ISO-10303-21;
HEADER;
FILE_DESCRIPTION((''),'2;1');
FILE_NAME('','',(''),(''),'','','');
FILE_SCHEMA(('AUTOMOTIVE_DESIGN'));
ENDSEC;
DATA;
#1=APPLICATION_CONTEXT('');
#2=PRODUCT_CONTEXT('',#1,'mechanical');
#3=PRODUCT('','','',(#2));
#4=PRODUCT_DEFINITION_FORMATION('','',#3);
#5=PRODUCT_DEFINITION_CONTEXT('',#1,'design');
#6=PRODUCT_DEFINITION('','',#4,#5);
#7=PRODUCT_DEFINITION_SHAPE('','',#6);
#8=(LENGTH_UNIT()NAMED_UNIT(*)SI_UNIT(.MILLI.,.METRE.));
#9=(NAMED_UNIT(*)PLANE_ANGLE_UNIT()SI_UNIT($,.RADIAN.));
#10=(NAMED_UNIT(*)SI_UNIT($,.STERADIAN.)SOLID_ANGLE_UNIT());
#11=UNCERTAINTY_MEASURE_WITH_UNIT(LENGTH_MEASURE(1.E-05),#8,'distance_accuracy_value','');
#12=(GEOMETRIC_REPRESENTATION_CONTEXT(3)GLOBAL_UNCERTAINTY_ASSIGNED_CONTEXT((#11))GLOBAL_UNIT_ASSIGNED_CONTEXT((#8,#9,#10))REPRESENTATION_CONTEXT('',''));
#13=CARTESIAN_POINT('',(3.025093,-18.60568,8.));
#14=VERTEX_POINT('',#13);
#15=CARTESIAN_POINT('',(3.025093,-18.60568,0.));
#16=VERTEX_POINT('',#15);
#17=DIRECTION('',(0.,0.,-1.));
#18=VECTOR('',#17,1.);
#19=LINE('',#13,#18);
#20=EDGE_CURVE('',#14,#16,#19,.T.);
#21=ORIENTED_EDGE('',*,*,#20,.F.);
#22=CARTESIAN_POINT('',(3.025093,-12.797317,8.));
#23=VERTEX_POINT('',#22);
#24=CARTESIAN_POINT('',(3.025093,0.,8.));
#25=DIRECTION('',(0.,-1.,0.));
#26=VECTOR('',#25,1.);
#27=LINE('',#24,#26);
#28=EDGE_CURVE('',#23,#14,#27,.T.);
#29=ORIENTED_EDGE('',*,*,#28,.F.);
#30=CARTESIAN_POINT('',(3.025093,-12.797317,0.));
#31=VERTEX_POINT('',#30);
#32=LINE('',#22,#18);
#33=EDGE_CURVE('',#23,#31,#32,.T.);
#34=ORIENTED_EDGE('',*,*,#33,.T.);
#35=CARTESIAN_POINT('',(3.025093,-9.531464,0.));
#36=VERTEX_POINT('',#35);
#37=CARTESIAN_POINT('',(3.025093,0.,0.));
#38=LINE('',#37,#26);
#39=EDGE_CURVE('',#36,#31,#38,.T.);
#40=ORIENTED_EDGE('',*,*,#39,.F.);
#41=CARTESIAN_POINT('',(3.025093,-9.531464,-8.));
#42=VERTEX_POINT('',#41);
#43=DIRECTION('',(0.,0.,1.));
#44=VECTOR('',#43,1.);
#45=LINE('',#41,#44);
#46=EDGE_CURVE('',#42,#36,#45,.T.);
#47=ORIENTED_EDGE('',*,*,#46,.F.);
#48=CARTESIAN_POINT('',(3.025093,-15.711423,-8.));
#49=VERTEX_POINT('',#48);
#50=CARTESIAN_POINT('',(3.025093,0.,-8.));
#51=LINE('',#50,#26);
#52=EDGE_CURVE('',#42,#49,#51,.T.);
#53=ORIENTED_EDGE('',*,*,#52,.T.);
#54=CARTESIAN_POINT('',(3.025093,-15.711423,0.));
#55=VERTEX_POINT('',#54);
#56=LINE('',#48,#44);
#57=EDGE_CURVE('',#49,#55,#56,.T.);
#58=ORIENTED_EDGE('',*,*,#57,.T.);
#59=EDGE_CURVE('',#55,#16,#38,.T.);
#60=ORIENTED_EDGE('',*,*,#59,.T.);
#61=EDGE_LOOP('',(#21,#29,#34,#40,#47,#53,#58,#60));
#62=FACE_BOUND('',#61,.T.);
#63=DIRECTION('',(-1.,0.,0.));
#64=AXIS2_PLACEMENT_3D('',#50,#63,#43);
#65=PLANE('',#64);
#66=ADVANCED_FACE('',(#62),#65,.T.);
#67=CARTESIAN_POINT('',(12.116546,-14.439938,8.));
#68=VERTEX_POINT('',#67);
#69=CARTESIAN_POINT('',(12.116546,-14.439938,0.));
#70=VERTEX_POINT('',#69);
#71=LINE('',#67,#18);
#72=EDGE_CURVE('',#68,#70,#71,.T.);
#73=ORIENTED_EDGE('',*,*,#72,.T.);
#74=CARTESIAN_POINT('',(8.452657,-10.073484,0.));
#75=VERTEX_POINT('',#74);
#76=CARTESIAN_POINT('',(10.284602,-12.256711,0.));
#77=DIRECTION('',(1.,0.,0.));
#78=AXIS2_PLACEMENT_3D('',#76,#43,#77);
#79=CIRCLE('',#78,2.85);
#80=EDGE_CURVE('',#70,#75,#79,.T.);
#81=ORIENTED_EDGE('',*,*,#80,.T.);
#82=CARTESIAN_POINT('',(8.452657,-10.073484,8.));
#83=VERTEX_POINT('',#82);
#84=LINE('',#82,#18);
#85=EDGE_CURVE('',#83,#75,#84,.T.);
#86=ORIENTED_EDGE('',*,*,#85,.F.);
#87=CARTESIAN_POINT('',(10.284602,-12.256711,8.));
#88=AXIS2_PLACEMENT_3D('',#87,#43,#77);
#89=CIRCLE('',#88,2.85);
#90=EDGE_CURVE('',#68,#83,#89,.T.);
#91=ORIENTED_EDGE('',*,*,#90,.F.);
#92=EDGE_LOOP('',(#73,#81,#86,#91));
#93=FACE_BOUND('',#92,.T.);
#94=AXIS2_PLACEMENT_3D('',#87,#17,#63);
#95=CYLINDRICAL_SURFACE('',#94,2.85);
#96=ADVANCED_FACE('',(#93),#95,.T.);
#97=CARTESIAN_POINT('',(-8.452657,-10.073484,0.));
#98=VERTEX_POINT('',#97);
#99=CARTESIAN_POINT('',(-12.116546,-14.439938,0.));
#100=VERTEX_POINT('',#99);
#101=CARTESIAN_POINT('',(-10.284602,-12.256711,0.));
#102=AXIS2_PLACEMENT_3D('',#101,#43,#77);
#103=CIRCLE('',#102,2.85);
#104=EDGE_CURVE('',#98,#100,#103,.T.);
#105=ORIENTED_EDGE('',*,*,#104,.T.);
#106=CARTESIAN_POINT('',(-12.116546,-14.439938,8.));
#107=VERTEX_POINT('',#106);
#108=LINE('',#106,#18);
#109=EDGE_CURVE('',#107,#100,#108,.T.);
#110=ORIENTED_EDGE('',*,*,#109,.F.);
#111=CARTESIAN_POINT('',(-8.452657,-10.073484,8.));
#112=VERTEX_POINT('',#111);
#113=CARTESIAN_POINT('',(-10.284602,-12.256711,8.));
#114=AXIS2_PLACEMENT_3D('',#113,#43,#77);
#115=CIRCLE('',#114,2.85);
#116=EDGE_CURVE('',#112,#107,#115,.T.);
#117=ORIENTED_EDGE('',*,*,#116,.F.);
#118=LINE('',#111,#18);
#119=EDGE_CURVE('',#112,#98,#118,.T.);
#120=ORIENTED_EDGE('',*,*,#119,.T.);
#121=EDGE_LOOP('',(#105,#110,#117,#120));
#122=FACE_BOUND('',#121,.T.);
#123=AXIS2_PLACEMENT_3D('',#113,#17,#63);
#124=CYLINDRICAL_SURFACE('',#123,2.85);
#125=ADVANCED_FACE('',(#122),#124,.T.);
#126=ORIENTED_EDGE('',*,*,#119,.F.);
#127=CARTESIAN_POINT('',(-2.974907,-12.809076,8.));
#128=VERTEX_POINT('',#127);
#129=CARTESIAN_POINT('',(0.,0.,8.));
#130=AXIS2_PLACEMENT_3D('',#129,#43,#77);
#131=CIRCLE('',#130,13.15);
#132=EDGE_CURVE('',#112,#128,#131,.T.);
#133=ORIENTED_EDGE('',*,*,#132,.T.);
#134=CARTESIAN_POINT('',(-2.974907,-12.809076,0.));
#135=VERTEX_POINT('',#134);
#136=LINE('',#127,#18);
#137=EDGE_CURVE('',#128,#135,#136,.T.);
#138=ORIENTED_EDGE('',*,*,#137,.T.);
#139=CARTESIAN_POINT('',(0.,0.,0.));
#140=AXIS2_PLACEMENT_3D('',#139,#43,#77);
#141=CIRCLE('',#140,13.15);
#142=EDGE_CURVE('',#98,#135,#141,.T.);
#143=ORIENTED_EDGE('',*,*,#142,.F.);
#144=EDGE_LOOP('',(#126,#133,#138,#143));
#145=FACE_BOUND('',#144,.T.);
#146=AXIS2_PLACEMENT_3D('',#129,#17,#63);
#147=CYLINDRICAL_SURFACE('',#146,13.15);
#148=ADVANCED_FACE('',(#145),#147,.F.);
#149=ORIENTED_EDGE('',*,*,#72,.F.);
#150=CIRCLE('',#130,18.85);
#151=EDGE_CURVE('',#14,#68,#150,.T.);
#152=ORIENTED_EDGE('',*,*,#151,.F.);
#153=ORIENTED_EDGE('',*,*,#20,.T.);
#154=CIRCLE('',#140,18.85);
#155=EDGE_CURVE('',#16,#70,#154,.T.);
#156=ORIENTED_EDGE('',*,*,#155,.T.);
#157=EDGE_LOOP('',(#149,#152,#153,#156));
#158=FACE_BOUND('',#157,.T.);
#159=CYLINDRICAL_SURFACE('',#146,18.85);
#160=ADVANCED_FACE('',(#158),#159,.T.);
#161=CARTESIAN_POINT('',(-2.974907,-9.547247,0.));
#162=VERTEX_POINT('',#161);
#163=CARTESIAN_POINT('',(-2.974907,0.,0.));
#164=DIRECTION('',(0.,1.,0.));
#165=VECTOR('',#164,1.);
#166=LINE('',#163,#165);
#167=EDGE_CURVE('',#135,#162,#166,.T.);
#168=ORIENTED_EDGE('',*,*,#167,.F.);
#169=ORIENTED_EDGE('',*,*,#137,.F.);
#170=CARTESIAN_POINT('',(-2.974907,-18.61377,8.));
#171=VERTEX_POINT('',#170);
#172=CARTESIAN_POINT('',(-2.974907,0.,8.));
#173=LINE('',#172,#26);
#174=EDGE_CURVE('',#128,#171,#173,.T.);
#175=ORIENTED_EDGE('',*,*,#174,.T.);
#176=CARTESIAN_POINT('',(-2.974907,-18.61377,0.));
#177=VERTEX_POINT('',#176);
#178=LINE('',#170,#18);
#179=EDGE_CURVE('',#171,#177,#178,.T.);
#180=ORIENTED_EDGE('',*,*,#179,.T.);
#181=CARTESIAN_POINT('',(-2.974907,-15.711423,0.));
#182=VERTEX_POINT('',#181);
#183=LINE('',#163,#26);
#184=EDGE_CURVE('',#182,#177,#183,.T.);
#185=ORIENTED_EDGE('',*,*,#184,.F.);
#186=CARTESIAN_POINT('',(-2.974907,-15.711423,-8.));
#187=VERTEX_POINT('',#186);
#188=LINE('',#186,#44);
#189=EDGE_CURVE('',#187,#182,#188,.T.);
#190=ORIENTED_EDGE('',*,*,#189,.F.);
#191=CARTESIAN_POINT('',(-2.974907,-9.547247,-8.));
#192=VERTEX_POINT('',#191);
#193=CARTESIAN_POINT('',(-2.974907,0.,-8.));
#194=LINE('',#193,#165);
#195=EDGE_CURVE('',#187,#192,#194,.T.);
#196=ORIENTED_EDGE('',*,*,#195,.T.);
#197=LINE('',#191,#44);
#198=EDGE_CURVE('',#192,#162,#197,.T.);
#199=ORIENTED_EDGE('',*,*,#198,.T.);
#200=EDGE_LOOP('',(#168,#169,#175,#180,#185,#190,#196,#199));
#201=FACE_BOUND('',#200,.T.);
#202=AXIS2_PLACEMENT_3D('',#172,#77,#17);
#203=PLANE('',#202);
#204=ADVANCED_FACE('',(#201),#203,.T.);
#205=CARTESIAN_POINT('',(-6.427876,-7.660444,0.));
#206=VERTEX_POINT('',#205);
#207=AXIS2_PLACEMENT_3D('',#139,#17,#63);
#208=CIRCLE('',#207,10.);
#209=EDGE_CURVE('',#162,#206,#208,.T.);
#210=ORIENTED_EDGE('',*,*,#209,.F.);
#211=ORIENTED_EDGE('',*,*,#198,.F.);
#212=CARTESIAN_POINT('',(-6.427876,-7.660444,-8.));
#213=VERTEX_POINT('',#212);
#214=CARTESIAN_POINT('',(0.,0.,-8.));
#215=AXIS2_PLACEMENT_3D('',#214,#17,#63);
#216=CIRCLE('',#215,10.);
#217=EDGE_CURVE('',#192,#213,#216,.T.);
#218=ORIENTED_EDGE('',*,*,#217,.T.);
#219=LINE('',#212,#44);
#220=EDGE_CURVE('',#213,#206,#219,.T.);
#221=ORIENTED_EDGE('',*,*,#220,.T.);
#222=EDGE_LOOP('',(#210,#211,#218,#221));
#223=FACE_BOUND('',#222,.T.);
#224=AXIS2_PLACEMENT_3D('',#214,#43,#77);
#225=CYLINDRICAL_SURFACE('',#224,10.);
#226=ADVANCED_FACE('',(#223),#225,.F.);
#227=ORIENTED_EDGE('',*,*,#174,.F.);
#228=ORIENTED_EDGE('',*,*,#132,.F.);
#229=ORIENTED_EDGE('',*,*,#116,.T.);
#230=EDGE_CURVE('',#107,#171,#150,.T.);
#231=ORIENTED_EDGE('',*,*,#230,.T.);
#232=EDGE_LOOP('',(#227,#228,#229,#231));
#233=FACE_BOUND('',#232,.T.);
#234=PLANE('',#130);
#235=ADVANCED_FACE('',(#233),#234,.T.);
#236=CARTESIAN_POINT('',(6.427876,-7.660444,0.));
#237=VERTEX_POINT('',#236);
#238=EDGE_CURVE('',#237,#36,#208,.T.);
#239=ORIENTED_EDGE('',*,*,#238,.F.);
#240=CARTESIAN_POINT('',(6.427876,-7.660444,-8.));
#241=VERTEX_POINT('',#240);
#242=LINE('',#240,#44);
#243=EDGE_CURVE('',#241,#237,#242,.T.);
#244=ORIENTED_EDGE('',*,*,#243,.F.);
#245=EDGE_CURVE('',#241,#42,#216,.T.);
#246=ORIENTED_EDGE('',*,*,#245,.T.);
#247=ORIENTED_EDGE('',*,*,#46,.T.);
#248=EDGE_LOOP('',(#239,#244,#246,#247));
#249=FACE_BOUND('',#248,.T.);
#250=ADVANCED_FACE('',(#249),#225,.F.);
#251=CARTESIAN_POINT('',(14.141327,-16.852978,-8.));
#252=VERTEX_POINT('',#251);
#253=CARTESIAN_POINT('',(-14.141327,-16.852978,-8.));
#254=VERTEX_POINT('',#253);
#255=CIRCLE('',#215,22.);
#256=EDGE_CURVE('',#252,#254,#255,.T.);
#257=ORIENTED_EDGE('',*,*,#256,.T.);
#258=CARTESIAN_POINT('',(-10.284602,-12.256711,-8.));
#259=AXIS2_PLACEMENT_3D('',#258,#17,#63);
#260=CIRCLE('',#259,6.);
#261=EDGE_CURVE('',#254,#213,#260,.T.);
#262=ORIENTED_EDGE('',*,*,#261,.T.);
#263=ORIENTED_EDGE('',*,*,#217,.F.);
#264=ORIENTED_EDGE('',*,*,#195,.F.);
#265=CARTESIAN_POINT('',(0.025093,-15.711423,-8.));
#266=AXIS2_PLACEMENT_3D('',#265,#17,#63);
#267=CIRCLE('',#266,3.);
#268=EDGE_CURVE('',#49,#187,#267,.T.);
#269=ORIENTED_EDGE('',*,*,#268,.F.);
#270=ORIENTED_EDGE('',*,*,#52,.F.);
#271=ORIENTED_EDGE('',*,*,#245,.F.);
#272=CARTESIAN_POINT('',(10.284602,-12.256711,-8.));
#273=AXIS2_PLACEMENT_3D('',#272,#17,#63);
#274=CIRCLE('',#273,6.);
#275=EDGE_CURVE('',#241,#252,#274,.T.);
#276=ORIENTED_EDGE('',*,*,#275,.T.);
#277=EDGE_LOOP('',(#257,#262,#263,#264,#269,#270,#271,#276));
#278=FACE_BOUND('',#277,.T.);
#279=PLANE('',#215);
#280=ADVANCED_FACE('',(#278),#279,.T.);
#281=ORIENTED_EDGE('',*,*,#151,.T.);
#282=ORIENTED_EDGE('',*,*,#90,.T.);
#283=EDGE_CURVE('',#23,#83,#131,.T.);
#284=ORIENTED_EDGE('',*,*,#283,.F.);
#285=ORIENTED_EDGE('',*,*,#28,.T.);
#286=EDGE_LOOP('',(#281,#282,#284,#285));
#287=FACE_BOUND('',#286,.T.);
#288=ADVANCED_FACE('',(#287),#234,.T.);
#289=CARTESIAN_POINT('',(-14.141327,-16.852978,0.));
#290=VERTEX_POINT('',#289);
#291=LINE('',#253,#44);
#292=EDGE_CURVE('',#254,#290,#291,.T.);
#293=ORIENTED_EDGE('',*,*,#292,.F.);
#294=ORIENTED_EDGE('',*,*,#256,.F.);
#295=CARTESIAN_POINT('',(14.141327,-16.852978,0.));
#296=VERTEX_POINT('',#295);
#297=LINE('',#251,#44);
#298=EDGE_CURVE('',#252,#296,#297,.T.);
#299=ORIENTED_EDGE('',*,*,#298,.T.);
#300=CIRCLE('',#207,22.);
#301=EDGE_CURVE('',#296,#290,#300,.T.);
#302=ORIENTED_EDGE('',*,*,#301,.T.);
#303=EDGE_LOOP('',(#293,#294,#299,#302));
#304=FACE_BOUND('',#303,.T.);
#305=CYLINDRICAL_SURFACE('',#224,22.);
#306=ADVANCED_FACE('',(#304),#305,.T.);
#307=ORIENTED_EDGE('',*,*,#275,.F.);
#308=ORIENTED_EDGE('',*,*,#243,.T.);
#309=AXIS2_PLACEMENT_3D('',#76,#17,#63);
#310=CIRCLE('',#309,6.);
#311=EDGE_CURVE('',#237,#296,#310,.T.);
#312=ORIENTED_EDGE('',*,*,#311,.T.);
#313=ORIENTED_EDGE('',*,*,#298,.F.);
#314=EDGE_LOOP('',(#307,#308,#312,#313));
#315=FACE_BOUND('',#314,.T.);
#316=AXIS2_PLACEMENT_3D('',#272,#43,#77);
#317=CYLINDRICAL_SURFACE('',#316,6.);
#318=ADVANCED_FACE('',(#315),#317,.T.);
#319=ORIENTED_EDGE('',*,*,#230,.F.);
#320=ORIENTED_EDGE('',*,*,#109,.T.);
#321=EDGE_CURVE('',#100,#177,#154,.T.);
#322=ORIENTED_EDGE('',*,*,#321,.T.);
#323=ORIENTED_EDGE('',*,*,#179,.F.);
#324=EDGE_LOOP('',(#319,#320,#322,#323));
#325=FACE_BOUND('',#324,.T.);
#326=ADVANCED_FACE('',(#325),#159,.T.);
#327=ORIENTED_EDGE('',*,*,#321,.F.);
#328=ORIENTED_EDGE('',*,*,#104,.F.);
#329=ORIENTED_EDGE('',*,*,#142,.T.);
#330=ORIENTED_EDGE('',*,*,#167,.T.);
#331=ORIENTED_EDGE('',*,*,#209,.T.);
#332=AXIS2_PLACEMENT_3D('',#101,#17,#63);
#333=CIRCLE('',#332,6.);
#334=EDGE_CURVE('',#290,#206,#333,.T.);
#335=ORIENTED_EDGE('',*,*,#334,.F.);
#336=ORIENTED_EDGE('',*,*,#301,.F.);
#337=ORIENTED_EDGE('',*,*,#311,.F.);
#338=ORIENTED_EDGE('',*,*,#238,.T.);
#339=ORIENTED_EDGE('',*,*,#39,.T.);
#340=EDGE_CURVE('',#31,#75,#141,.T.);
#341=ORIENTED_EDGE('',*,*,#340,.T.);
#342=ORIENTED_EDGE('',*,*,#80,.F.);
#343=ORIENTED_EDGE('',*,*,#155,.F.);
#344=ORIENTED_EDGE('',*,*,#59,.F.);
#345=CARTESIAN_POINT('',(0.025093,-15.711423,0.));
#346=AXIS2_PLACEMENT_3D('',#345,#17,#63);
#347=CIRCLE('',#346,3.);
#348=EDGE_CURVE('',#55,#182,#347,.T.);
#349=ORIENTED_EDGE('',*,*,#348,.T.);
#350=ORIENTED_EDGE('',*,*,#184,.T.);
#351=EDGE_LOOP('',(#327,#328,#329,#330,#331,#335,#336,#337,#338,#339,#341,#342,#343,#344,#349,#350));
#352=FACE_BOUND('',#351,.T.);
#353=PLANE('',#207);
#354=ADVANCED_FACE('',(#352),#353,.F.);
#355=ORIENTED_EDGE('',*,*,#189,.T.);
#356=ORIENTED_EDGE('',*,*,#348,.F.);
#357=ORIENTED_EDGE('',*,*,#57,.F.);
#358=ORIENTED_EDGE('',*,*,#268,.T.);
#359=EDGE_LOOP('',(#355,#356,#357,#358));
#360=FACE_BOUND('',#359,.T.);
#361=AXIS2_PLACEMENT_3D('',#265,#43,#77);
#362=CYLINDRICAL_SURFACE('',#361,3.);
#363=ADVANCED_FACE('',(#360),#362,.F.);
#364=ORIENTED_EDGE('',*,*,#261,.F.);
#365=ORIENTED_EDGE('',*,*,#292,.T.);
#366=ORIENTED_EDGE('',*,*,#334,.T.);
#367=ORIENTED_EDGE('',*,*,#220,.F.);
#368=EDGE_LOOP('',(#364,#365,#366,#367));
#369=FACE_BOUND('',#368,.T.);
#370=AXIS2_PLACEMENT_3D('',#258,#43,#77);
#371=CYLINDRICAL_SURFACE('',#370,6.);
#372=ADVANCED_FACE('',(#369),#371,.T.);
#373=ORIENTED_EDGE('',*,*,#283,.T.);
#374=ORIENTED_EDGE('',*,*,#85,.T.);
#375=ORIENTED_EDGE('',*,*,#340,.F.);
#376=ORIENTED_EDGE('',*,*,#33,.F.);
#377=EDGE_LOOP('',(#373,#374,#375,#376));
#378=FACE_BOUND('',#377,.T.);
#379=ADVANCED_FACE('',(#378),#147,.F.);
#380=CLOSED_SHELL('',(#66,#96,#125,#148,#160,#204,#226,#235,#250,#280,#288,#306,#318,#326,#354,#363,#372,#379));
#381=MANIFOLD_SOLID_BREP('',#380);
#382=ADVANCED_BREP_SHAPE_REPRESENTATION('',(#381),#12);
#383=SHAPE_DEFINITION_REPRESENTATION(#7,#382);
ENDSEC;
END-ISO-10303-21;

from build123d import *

# Parameters (mm, degrees)
BOSS_EXTRUDE1_DEPTH   = 8
BOSS_EXTRUDE1_2_DEPTH = 8
BOSS_EXTRUDE2_DEPTH   = 8


with BuildPart() as part:
    # Sketch1 → Boss-Extrude1 (new body)
    with BuildSketch(Plane.XY):
        with BuildLine():
            Line((-2.974906864, -18.61376988), (-2.974906864, -12.809076046))
            ThreePointArc((-2.974906864, -12.809076046), (-5.875216569, -11.764536976), (-8.452657067, -10.073484427))
            ThreePointArc((-8.452657067, -10.073484427), (-12.467828418, -10.424766402), (-12.116546443, -14.439937753))
            ThreePointArc((-12.116546443, -14.439937753), (-7.828997981, -17.14728231), (-2.974906864, -18.61376988))
        make_face()
    extrude(amount=BOSS_EXTRUDE1_DEPTH)



with BuildPart() as body_2:
    # Sketch1 → Boss-Extrude1 2 (new body)
    with BuildSketch(Plane.XY):
        with BuildLine():
            ThreePointArc((8.452657067, -10.073484427), (5.898262695, -11.752999497), (3.025093136, -12.797316575))
            Line((3.025093136, -12.797316575), (3.025093136, -18.60567955))
            ThreePointArc((3.025093136, -18.60567955), (7.852112038, -17.136710202), (12.116546443, -14.439937753))
            ThreePointArc((12.116546443, -14.439937753), (12.467828418, -10.424766402), (8.452657067, -10.073484427))
        make_face()
    extrude(amount=BOSS_EXTRUDE1_2_DEPTH)


with BuildPart() as part_1:
    add(part.part)

    add(body_2.part)  # Boss-Extrude2 merges body 2
    # Sketch2 → Boss-Extrude2 (add)
    with BuildSketch(Plane(origin=(0, 0, 0), x_dir=(-1, 0, 0), z_dir=(0, 0, -1))):
        with BuildLine():
            Line((-3.025093136, -15.711422963), (-3.025093136, -12.797316575))
            Line((-3.025093136, -12.797316575), (-3.025093136, -9.53146429))
            ThreePointArc((-3.025093136, -9.53146429), (-4.818177628, -8.762714439), (-6.427876097, -7.660444431))
            ThreePointArc((-6.427876097, -7.660444431), (-14.880868414, -8.399985432), (-14.141327413, -16.852977749))
            ThreePointArc((-14.141327413, -16.852977749), (0, -22), (14.141327413, -16.852977749))
            ThreePointArc((14.141327413, -16.852977749), (14.880868414, -8.399985432), (6.427876097, -7.660444431))
            ThreePointArc((6.427876097, -7.660444431), (4.795110846, -8.775358225), (2.974906864, -9.547247203))
            Line((2.974906864, -9.547247203), (2.974906864, -12.809076046))
            ThreePointArc((2.974906864, -12.809076046), (5.875216569, -11.764536976), (8.452657067, -10.073484427))
            ThreePointArc((8.452657067, -10.073484427), (12.467828418, -10.424766402), (12.116546443, -14.439937753))
            ThreePointArc((12.116546443, -14.439937753), (7.828997981, -17.14728231), (2.974906864, -18.61376988))
            Line((2.974906864, -18.61376988), (2.974906864, -15.711422963))
            ThreePointArc((2.974906864, -15.711422963), (-0.025093136, -18.711422963), (-3.025093136, -15.711422963))
        make_face()
        with BuildLine():
            ThreePointArc((12.116546443, -14.439937753), (12.467828418, -10.424766402), (8.452657067, -10.073484427))
            ThreePointArc((8.452657067, -10.073484427), (5.875216569, -11.764536976), (2.974906864, -12.809076046))
            Line((2.974906864, -12.809076046), (2.974906864, -18.61376988))
            ThreePointArc((2.974906864, -18.61376988), (7.828997981, -17.14728231), (12.116546443, -14.439937753))
        make_face()
    extrude(amount=BOSS_EXTRUDE2_DEPTH)


solid = part_1.part
